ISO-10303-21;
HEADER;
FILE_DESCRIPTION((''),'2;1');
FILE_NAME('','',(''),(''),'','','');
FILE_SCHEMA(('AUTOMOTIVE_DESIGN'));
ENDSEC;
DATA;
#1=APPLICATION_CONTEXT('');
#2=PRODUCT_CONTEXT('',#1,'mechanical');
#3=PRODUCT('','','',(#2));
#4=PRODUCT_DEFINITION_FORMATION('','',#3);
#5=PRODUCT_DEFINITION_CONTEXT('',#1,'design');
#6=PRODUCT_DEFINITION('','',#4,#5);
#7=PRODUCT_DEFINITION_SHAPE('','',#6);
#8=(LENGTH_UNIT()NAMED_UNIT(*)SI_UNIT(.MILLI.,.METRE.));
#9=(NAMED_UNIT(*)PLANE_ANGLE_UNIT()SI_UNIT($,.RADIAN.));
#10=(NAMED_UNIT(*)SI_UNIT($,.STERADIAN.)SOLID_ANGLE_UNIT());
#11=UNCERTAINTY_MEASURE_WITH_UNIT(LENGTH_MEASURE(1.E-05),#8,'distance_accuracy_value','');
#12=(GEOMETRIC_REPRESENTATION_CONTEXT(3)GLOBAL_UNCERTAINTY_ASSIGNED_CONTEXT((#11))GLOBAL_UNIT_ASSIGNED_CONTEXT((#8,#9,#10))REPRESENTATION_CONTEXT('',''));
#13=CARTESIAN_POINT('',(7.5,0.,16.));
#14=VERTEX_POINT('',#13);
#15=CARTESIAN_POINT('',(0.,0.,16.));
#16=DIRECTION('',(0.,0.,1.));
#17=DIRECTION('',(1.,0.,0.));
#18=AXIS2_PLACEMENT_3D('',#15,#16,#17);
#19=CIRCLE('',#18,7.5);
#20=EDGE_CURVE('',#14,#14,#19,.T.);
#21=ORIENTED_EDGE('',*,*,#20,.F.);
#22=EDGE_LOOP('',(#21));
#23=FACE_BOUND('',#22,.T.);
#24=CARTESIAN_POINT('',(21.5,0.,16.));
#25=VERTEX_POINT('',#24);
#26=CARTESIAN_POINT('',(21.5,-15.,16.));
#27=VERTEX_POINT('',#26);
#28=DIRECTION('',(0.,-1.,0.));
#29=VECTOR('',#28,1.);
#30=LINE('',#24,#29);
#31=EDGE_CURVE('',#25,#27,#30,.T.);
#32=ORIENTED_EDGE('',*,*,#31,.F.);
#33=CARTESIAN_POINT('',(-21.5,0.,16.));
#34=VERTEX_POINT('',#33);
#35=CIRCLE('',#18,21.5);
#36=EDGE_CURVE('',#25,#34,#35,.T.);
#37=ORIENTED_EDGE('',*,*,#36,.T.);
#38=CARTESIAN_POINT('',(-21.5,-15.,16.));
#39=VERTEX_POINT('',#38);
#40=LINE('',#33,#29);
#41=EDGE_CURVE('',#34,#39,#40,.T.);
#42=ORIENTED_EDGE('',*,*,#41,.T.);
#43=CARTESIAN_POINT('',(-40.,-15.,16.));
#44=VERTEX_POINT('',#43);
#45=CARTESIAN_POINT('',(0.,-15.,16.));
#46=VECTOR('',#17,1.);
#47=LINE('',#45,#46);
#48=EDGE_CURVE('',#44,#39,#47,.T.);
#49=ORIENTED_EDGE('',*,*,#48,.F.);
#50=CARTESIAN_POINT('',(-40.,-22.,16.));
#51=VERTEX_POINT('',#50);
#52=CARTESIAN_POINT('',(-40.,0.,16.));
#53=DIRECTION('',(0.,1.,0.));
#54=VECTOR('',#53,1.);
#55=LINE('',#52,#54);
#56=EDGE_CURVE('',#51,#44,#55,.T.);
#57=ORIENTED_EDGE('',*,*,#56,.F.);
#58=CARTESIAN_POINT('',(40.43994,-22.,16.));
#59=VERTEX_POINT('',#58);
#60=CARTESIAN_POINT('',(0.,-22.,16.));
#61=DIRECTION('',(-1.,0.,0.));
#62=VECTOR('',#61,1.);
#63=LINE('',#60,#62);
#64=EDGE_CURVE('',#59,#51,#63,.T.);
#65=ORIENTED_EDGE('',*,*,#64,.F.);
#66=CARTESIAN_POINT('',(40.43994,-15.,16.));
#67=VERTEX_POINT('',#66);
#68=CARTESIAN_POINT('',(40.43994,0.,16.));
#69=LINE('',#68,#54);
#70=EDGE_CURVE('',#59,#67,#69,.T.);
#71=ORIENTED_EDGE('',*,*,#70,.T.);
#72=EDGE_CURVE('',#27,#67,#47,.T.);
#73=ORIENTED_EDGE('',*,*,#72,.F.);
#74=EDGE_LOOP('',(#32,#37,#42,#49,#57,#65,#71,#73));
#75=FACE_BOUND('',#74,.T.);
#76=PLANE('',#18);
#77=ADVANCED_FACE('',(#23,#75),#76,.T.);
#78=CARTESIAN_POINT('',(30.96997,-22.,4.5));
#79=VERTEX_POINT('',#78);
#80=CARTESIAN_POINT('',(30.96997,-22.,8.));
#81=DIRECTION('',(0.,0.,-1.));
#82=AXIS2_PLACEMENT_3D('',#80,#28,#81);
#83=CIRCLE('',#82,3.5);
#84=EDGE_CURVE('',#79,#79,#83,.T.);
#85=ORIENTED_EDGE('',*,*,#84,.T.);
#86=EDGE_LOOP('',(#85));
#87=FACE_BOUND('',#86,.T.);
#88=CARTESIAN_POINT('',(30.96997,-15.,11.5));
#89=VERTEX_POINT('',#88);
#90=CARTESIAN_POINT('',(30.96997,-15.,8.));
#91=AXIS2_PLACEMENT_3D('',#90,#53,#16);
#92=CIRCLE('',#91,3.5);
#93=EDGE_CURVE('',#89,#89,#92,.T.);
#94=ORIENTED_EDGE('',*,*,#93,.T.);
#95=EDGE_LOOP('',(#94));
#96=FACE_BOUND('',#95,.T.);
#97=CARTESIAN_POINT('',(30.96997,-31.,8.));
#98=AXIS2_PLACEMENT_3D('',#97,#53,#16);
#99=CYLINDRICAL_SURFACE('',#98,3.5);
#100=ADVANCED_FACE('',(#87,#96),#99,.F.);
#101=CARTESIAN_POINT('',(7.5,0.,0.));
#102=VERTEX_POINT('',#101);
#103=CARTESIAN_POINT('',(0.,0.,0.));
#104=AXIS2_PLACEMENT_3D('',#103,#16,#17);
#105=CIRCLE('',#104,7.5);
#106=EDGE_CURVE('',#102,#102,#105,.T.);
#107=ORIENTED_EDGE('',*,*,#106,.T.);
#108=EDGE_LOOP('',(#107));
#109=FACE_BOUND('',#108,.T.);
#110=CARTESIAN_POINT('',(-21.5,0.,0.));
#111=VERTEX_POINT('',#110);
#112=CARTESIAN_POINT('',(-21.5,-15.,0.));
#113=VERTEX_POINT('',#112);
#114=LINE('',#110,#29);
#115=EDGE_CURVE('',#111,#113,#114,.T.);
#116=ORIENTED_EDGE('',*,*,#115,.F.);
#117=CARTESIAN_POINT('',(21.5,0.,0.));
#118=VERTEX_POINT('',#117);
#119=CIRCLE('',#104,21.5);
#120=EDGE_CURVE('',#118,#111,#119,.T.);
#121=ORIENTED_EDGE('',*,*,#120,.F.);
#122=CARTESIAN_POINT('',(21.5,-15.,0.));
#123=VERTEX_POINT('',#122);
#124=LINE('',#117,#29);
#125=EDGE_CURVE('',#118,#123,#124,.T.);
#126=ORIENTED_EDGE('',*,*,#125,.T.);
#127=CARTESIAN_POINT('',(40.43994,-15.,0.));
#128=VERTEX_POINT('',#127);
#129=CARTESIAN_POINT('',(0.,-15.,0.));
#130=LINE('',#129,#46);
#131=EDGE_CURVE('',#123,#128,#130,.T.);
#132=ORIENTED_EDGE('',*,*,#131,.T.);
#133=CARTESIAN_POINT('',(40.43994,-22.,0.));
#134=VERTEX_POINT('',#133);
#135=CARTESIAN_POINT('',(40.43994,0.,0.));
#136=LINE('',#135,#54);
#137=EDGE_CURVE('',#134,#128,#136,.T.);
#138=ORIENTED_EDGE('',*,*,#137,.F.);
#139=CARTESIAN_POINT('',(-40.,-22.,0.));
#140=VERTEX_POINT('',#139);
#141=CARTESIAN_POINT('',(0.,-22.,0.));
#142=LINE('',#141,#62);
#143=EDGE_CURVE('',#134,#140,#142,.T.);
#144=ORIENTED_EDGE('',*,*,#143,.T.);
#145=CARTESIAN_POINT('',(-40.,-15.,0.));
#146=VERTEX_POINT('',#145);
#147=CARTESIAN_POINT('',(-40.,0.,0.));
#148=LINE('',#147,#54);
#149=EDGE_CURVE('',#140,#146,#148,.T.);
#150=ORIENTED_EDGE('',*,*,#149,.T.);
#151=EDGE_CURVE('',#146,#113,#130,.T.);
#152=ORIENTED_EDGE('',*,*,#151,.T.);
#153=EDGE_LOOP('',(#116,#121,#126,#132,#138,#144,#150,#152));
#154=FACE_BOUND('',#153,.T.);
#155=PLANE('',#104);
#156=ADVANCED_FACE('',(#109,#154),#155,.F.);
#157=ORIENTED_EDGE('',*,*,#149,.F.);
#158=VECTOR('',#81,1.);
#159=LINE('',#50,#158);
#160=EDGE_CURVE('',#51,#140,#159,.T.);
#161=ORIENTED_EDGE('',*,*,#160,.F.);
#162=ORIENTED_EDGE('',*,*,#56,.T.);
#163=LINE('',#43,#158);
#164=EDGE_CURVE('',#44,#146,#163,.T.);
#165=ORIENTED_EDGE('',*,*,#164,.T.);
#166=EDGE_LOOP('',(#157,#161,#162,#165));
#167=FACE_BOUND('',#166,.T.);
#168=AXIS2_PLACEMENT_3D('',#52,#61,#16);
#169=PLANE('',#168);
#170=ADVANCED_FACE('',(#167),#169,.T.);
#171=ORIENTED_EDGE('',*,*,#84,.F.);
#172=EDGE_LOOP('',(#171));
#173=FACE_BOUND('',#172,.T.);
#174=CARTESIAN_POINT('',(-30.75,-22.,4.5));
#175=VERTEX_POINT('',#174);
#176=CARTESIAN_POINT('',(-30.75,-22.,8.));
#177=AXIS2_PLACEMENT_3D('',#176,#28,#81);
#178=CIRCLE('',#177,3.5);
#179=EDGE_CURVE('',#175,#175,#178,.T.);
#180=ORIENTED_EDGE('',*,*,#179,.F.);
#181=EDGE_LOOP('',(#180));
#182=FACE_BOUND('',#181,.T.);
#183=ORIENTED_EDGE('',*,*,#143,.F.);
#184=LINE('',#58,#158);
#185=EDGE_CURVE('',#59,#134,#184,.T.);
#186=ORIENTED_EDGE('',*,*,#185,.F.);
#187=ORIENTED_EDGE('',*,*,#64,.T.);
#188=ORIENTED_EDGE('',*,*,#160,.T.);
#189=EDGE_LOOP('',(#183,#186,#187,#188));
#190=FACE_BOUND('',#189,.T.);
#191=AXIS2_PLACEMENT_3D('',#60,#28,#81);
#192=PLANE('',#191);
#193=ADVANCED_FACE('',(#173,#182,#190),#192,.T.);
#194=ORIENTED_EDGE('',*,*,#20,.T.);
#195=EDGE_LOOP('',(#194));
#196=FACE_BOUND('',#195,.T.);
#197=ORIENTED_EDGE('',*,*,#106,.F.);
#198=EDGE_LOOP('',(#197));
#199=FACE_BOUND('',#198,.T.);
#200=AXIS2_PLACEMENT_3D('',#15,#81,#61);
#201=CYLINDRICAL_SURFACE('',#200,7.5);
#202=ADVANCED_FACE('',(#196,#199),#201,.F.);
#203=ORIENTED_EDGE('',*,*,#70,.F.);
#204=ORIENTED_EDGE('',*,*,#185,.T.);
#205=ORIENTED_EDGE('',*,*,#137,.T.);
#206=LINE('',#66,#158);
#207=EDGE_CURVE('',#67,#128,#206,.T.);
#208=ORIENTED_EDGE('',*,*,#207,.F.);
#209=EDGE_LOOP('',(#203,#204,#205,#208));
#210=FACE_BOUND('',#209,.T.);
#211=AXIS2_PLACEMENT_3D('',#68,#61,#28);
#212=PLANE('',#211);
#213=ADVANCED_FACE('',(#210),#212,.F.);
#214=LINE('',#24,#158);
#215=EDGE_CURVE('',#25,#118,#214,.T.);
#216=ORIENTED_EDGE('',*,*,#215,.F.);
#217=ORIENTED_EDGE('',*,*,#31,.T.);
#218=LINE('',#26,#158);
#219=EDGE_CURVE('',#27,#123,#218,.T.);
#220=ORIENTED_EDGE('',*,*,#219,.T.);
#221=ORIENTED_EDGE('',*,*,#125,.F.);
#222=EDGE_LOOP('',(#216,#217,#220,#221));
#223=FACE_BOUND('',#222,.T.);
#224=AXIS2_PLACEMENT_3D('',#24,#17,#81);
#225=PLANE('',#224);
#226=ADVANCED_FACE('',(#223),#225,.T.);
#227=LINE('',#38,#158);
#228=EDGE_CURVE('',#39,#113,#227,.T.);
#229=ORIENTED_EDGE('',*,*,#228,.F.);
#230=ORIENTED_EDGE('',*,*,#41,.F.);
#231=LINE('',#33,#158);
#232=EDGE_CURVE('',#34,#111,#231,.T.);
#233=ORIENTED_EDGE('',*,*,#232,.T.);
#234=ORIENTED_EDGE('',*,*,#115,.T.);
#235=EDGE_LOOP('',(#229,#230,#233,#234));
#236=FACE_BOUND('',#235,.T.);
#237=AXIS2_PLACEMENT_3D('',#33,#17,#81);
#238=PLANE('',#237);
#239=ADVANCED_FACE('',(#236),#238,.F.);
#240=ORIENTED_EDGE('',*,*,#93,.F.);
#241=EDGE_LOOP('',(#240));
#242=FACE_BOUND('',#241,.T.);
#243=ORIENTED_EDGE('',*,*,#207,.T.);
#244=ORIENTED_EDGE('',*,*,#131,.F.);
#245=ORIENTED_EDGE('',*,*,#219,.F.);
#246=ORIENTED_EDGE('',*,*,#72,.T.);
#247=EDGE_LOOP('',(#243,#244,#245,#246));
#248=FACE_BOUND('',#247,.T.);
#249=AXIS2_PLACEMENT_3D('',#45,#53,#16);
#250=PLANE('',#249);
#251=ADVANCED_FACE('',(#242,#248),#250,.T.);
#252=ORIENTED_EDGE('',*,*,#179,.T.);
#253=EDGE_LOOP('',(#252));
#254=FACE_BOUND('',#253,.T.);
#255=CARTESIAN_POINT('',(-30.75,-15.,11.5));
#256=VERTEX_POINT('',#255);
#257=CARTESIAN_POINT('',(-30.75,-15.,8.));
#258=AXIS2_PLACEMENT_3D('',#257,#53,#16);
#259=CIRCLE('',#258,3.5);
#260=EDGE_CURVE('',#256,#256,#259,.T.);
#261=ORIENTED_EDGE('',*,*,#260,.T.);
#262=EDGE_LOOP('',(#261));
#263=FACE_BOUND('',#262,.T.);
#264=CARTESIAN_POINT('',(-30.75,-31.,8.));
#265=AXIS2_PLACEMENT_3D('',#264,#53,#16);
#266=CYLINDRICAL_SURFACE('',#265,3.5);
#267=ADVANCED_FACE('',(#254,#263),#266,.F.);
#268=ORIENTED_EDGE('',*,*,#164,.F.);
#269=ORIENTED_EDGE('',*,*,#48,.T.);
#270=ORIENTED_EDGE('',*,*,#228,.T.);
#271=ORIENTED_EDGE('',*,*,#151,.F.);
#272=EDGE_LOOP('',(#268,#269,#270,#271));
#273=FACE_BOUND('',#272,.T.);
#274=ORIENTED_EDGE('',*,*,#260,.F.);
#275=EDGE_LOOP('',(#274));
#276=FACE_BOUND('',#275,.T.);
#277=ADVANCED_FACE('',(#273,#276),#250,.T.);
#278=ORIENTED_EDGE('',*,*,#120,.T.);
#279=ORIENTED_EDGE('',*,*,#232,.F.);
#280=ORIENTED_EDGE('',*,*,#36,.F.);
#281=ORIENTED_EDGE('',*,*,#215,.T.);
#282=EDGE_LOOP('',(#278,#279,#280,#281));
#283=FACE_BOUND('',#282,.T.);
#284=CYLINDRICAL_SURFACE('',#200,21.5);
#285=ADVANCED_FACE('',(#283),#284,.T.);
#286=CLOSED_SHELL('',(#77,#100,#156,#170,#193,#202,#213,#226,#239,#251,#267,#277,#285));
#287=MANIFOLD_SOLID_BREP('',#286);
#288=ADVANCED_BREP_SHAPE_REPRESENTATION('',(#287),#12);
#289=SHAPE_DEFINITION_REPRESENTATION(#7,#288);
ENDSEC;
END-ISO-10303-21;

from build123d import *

# Parameters (mm, degrees)
SKETCH_1_R          = 7.5
EXTRUDE_2_DEPTH     = 16
SKETCH_2_R          = 3.5
CUT_EXTRUDE_1_DEPTH = 16


with BuildPart() as part:
    # 草图1 → 凸台-拉伸2 (new body)
    with BuildSketch(Plane.XY):
        with BuildLine():
            Line((15.402921801, -15), (21.5, -15))
            Line((21.5, -15), (21.5, 0))
            ThreePointArc((21.5, 0), (19.917490037, -8.095899619), (15.402921801, -15))
        make_face()
        with BuildLine():
            ThreePointArc((21.5, 0), (0, 21.5), (-21.5, 0))
            ThreePointArc((-21.5, 0), (-19.917490037, -8.095899619), (-15.402921801, -15))
            Line((-15.402921801, -15), (15.402921801, -15))
            ThreePointArc((15.402921801, -15), (19.917490037, -8.095899619), (21.5, 0))
        make_face()
        Circle(SKETCH_1_R, mode=Mode.SUBTRACT)
        with BuildLine():
            Line((-21.5, 0), (-21.5, -15))
            Line((-21.5, -15), (-15.402921801, -15))
            ThreePointArc((-15.402921801, -15), (-19.917490037, -8.095899619), (-21.5, 0))
        make_face()
        with BuildLine():
            Line((-40, -22), (0, -22))
            Line((0, -22), (40, -22))
            Line((40, -22), (40.439940075, -22))
            Line((40.439940075, -22), (40.439940075, -15))
            Line((40.439940075, -15), (21.5, -15))
            Line((21.5, -15), (15.402921801, -15))
            ThreePointArc((15.402921801, -15), (0, -21.5), (-15.402921801, -15))
            Line((-15.402921801, -15), (-21.5, -15))
            Line((-21.5, -15), (-40, -15))
            Line((-40, -15), (-40, -22))
        make_face()
        with BuildLine():
            Line((15.402921801, -15), (-15.402921801, -15))
            ThreePointArc((-15.402921801, -15), (0, -21.5), (15.402921801, -15))
        make_face()
    extrude(amount=EXTRUDE_2_DEPTH)

    # 草图2 → 切除-拉伸1 (cut)
    with BuildSketch(Plane(origin=(0, -15, 0), x_dir=(1, 0, 0), z_dir=(0, 1, 0))):
        with Locations((-30.75, -8)):
            Circle(SKETCH_2_R)
        with Locations((30.969970037, -8)):
            Circle(SKETCH_2_R)
    extrude(amount=-CUT_EXTRUDE_1_DEPTH, mode=Mode.SUBTRACT)


solid = part.part
